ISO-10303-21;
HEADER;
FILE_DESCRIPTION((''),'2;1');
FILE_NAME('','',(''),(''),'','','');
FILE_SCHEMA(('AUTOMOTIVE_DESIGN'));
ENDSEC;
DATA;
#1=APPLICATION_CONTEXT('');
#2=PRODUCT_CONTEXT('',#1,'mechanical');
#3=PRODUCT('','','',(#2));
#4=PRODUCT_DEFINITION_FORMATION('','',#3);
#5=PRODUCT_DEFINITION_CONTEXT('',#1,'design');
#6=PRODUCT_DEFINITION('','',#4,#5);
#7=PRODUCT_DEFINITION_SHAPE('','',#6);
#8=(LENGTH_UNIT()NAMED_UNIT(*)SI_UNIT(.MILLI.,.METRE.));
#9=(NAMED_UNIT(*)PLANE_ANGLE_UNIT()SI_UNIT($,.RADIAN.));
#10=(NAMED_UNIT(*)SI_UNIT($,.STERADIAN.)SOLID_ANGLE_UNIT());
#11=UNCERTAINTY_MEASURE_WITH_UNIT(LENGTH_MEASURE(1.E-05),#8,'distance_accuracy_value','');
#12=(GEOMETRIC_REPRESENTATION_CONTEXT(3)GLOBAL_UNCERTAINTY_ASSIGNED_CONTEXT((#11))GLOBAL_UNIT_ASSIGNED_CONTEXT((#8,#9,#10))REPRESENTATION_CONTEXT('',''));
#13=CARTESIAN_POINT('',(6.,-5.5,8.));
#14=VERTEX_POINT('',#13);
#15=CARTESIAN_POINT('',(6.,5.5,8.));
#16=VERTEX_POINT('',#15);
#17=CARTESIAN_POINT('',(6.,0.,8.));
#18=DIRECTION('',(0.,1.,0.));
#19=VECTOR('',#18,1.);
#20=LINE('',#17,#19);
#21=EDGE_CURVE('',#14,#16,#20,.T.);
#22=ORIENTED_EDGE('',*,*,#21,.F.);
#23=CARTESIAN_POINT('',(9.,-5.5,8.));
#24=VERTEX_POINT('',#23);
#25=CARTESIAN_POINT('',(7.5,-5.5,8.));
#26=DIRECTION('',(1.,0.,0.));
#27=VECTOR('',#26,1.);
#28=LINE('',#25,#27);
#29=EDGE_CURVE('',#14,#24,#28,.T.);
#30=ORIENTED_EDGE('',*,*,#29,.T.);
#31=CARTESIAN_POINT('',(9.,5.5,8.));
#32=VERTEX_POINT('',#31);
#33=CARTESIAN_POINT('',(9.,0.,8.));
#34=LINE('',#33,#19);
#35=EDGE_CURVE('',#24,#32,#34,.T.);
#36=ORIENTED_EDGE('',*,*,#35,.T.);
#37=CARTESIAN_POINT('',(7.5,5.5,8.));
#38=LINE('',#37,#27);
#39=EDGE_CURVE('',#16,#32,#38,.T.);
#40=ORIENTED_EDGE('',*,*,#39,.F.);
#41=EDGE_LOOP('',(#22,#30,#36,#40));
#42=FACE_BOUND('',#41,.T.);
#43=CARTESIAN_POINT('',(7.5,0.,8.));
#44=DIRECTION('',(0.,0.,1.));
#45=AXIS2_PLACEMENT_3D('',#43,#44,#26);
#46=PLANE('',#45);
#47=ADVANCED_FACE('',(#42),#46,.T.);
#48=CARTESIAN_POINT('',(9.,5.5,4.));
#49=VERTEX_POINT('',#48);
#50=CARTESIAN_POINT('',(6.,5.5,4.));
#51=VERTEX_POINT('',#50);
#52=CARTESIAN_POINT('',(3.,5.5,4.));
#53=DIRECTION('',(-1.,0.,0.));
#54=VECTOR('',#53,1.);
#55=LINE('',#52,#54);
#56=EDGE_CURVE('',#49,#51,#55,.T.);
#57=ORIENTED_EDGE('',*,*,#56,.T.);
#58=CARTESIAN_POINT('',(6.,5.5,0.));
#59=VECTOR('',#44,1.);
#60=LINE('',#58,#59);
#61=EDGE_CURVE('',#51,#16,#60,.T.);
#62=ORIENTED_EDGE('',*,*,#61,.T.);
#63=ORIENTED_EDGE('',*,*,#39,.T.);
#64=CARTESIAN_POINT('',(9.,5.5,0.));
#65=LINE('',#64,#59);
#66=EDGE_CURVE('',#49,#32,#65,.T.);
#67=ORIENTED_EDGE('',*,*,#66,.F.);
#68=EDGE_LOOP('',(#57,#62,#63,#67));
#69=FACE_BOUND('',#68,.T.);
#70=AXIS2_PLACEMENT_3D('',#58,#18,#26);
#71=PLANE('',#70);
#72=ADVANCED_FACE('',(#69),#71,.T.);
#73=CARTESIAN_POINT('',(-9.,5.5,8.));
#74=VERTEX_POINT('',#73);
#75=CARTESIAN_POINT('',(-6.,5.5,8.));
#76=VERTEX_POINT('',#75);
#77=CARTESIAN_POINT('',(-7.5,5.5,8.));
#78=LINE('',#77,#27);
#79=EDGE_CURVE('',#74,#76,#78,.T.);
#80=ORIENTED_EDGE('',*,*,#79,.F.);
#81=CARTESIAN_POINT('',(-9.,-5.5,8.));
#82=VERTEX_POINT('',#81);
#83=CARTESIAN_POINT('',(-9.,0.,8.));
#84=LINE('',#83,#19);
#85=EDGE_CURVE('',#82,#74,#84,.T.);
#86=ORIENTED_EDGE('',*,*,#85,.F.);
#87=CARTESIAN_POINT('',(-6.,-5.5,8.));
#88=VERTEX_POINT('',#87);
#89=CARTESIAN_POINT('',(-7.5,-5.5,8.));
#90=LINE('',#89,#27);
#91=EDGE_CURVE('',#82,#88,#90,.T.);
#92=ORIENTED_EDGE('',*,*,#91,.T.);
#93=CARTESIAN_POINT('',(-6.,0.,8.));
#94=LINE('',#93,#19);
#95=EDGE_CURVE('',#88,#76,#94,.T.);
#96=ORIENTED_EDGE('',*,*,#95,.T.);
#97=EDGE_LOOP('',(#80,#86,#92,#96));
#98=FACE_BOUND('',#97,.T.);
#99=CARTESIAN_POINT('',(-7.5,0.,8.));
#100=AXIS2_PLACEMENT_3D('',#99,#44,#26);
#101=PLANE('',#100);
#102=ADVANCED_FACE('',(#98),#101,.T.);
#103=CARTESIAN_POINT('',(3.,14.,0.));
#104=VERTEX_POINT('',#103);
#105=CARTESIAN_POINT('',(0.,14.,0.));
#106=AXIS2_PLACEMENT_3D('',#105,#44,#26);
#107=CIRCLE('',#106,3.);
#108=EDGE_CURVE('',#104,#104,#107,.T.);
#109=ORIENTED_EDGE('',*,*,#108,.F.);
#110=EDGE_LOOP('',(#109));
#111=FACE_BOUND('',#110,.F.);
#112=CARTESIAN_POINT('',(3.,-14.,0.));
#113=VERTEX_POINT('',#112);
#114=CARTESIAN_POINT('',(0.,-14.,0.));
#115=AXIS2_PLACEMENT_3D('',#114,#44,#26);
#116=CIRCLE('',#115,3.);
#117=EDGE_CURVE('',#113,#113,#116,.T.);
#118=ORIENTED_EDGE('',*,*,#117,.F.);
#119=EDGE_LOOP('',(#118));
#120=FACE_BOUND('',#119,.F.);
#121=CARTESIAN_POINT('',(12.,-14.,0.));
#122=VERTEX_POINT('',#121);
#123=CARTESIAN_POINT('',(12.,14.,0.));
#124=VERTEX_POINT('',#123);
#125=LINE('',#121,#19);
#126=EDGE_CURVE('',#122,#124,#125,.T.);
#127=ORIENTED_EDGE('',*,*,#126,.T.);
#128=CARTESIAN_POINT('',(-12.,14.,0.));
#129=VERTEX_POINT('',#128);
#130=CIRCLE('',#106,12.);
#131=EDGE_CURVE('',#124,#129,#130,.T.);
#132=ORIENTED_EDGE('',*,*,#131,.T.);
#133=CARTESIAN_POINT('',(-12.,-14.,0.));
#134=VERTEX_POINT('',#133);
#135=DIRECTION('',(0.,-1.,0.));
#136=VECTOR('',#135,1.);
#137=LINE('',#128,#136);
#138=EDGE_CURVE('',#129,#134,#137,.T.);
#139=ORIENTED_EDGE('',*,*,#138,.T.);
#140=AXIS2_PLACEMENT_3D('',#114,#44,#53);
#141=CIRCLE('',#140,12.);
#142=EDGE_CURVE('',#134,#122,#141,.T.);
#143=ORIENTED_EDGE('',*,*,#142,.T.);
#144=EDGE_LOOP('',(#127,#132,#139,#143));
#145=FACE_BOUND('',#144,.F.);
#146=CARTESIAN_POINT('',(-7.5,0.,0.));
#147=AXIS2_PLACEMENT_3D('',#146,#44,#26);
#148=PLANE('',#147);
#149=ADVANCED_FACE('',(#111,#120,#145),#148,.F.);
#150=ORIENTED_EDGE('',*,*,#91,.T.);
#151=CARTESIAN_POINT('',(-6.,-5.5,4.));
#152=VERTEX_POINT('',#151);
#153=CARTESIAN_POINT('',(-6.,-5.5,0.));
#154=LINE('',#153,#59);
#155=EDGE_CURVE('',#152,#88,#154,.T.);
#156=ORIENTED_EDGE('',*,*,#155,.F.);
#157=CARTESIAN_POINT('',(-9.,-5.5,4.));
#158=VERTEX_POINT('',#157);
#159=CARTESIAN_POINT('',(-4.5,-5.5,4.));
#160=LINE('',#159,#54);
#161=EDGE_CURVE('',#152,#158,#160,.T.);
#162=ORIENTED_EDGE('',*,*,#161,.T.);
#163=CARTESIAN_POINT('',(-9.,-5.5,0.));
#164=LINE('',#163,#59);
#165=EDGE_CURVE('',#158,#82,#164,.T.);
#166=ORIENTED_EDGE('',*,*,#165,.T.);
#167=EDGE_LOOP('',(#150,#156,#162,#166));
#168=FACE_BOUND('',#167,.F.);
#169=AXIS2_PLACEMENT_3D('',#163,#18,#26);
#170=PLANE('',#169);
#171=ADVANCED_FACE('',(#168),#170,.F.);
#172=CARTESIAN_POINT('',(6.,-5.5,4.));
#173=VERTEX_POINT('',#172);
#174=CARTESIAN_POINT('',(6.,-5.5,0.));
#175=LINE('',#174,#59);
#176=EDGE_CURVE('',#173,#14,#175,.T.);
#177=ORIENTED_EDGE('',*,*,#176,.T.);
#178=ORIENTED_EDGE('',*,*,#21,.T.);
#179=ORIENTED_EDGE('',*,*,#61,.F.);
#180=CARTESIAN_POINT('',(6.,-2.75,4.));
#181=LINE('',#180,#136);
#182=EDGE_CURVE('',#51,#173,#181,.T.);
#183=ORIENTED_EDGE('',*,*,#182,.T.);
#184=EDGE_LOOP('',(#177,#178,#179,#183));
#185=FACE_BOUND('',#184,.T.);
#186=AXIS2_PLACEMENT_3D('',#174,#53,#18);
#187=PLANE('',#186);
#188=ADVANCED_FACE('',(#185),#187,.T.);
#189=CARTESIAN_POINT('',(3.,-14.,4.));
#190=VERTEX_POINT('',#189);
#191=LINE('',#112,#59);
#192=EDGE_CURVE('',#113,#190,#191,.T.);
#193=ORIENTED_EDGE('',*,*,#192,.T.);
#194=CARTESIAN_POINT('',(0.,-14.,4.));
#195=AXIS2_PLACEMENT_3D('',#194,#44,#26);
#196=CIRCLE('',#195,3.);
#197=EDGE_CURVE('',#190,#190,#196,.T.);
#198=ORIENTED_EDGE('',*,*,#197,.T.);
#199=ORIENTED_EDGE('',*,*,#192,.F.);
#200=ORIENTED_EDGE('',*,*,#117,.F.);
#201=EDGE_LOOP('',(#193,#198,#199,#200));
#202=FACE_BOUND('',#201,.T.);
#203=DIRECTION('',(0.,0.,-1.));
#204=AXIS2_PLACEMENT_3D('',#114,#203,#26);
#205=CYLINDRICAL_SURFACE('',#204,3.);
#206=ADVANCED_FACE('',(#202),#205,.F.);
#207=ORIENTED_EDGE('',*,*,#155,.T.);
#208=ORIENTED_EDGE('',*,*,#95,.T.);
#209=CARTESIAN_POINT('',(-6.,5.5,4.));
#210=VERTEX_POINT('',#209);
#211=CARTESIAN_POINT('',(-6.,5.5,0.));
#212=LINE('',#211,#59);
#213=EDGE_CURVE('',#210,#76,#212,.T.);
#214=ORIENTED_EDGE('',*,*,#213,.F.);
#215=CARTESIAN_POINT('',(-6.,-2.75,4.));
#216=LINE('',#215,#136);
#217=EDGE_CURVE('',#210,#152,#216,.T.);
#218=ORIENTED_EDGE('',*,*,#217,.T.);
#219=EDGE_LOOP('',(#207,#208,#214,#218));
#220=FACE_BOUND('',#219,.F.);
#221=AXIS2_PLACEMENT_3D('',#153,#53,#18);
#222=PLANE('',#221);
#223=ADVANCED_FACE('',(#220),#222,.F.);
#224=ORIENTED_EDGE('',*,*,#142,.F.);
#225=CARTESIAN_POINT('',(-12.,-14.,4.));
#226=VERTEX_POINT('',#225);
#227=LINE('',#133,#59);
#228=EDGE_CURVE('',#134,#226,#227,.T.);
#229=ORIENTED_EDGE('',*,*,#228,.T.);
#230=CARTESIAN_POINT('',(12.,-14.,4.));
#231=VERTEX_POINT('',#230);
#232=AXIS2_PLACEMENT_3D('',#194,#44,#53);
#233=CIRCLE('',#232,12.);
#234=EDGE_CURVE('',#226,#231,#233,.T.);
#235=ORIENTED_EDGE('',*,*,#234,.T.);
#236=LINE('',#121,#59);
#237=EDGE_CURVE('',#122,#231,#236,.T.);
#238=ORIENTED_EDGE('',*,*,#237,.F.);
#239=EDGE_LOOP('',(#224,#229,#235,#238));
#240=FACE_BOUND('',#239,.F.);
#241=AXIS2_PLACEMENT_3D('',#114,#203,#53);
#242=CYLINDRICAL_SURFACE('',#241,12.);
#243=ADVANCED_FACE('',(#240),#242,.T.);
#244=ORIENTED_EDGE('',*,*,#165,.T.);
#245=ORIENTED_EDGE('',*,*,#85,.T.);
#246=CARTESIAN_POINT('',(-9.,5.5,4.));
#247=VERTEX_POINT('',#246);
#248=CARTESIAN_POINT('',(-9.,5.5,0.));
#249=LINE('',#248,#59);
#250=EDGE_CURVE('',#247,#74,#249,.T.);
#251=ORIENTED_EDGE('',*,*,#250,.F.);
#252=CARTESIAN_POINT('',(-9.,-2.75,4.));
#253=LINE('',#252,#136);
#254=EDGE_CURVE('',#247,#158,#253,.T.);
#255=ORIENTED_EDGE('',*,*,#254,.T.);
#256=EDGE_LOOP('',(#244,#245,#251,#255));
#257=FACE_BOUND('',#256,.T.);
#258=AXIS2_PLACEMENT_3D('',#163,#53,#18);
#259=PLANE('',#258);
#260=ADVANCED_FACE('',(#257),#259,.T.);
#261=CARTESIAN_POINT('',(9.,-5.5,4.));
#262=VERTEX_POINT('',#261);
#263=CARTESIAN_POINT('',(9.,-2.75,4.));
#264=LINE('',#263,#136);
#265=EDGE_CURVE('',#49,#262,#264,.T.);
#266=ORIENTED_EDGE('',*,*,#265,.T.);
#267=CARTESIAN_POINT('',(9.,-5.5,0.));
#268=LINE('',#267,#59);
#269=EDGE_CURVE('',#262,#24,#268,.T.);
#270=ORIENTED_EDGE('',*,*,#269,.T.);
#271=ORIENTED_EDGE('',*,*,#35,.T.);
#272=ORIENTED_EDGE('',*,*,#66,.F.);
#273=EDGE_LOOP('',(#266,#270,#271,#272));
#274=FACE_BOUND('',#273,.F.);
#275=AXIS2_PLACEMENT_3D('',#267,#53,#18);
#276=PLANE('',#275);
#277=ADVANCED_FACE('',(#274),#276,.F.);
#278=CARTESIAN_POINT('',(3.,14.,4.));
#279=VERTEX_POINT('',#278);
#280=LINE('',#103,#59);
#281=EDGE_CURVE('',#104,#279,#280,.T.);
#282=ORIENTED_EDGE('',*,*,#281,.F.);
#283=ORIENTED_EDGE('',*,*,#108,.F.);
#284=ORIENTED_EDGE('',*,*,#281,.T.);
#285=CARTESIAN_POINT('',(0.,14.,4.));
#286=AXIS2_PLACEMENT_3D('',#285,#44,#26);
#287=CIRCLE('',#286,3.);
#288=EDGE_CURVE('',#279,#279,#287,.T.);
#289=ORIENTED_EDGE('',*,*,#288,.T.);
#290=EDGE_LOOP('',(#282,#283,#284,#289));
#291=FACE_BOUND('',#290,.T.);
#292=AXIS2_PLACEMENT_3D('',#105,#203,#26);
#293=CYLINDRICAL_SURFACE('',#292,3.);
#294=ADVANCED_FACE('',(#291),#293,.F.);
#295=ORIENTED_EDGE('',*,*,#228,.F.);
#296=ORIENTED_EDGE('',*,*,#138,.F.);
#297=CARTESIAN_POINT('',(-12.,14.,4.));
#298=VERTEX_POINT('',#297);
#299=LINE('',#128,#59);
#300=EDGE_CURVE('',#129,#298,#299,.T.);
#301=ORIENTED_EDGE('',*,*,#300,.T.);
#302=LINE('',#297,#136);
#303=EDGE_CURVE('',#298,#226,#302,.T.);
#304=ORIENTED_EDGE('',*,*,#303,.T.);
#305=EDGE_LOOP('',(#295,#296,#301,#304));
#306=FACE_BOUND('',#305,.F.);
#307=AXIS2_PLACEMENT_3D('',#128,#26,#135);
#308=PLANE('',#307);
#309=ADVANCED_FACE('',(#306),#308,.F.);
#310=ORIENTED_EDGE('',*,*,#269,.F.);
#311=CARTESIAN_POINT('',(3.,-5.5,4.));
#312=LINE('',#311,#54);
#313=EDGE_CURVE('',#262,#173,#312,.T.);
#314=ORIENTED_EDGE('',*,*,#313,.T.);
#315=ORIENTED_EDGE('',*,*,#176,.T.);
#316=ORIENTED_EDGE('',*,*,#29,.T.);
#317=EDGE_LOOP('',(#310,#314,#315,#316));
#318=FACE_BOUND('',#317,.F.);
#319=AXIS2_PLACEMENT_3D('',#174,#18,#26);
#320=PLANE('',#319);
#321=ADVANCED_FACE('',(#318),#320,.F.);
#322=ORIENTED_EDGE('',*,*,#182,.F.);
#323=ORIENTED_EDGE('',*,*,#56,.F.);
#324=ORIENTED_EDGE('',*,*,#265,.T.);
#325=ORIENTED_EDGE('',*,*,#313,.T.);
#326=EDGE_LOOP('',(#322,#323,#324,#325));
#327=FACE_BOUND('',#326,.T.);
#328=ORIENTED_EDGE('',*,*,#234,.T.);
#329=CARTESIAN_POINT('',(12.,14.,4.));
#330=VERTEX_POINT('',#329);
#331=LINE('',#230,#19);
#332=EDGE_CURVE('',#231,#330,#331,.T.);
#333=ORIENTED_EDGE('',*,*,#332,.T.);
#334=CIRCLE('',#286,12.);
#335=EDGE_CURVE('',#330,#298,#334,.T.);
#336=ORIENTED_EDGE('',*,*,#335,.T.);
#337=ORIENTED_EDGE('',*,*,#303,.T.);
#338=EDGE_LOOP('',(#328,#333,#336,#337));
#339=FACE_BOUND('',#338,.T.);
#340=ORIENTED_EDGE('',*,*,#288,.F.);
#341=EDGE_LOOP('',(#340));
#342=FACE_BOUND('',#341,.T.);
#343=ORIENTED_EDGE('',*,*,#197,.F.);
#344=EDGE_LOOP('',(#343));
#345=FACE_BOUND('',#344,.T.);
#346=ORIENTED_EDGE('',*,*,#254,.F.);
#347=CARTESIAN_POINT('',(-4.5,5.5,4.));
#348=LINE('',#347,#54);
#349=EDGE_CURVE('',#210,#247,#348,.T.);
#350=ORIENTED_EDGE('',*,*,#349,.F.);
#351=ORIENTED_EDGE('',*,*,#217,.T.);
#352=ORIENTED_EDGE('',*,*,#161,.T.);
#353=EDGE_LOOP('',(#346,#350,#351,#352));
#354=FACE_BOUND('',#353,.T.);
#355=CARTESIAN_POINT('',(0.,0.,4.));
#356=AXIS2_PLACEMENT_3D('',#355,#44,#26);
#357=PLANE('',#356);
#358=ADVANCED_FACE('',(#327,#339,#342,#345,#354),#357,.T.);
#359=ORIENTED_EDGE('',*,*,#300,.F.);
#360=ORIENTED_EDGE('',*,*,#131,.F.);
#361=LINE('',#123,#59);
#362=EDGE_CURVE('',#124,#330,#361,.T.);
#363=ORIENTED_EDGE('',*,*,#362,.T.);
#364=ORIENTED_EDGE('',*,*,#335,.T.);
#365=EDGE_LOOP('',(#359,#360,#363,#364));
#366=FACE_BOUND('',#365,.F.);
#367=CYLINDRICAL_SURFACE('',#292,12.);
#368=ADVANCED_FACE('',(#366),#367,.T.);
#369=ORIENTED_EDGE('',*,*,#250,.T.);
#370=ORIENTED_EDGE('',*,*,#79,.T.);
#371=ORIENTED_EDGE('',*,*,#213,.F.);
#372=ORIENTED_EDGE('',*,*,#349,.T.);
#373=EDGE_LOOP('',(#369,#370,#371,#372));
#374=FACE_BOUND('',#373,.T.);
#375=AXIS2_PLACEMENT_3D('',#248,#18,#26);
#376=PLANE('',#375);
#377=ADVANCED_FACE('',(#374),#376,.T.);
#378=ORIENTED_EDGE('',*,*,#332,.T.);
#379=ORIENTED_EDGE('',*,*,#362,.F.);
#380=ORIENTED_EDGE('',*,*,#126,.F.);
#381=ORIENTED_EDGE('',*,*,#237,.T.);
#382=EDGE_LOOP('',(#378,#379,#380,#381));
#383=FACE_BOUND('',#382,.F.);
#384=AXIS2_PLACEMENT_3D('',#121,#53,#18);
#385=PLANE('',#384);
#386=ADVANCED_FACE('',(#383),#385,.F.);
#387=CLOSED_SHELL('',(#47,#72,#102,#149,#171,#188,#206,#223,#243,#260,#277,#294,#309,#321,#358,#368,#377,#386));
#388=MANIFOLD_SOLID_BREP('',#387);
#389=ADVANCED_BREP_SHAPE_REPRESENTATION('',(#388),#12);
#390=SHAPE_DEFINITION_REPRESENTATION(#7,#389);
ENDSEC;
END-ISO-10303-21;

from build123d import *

# Parameters (mm, degrees)
SKETCH_R     = 3
PAD_DEPTH    = 4
SKETCH001_W  = 3
SKETCH001_H  = 11
PAD001_DEPTH = 8


with BuildPart() as part:
    # Sketch → Pad (new body)
    with BuildSketch(Plane.XY):
        with BuildLine():
            ThreePointArc((12, 14), (0, 26), (-12, 14))
            Line((-12, 14), (-12, -14))
            ThreePointArc((-12, -14), (0, -26), (12, -14))
            Line((12, -14), (12, 14))
        make_face()
        with Locations((0, 14)):
            Circle(SKETCH_R, mode=Mode.SUBTRACT)
        with Locations((0, -14)):
            Circle(SKETCH_R, mode=Mode.SUBTRACT)
    extrude(amount=PAD_DEPTH)

    # Sketch001 → Pad001 (join)
    with BuildSketch(Plane.XY):
        with Locations((-7.5, 0)):
            Rectangle(SKETCH001_W, SKETCH001_H)
        with Locations((7.5, 0)):
            Rectangle(SKETCH001_W, SKETCH001_H)
    extrude(amount=PAD001_DEPTH)


solid = part.part
